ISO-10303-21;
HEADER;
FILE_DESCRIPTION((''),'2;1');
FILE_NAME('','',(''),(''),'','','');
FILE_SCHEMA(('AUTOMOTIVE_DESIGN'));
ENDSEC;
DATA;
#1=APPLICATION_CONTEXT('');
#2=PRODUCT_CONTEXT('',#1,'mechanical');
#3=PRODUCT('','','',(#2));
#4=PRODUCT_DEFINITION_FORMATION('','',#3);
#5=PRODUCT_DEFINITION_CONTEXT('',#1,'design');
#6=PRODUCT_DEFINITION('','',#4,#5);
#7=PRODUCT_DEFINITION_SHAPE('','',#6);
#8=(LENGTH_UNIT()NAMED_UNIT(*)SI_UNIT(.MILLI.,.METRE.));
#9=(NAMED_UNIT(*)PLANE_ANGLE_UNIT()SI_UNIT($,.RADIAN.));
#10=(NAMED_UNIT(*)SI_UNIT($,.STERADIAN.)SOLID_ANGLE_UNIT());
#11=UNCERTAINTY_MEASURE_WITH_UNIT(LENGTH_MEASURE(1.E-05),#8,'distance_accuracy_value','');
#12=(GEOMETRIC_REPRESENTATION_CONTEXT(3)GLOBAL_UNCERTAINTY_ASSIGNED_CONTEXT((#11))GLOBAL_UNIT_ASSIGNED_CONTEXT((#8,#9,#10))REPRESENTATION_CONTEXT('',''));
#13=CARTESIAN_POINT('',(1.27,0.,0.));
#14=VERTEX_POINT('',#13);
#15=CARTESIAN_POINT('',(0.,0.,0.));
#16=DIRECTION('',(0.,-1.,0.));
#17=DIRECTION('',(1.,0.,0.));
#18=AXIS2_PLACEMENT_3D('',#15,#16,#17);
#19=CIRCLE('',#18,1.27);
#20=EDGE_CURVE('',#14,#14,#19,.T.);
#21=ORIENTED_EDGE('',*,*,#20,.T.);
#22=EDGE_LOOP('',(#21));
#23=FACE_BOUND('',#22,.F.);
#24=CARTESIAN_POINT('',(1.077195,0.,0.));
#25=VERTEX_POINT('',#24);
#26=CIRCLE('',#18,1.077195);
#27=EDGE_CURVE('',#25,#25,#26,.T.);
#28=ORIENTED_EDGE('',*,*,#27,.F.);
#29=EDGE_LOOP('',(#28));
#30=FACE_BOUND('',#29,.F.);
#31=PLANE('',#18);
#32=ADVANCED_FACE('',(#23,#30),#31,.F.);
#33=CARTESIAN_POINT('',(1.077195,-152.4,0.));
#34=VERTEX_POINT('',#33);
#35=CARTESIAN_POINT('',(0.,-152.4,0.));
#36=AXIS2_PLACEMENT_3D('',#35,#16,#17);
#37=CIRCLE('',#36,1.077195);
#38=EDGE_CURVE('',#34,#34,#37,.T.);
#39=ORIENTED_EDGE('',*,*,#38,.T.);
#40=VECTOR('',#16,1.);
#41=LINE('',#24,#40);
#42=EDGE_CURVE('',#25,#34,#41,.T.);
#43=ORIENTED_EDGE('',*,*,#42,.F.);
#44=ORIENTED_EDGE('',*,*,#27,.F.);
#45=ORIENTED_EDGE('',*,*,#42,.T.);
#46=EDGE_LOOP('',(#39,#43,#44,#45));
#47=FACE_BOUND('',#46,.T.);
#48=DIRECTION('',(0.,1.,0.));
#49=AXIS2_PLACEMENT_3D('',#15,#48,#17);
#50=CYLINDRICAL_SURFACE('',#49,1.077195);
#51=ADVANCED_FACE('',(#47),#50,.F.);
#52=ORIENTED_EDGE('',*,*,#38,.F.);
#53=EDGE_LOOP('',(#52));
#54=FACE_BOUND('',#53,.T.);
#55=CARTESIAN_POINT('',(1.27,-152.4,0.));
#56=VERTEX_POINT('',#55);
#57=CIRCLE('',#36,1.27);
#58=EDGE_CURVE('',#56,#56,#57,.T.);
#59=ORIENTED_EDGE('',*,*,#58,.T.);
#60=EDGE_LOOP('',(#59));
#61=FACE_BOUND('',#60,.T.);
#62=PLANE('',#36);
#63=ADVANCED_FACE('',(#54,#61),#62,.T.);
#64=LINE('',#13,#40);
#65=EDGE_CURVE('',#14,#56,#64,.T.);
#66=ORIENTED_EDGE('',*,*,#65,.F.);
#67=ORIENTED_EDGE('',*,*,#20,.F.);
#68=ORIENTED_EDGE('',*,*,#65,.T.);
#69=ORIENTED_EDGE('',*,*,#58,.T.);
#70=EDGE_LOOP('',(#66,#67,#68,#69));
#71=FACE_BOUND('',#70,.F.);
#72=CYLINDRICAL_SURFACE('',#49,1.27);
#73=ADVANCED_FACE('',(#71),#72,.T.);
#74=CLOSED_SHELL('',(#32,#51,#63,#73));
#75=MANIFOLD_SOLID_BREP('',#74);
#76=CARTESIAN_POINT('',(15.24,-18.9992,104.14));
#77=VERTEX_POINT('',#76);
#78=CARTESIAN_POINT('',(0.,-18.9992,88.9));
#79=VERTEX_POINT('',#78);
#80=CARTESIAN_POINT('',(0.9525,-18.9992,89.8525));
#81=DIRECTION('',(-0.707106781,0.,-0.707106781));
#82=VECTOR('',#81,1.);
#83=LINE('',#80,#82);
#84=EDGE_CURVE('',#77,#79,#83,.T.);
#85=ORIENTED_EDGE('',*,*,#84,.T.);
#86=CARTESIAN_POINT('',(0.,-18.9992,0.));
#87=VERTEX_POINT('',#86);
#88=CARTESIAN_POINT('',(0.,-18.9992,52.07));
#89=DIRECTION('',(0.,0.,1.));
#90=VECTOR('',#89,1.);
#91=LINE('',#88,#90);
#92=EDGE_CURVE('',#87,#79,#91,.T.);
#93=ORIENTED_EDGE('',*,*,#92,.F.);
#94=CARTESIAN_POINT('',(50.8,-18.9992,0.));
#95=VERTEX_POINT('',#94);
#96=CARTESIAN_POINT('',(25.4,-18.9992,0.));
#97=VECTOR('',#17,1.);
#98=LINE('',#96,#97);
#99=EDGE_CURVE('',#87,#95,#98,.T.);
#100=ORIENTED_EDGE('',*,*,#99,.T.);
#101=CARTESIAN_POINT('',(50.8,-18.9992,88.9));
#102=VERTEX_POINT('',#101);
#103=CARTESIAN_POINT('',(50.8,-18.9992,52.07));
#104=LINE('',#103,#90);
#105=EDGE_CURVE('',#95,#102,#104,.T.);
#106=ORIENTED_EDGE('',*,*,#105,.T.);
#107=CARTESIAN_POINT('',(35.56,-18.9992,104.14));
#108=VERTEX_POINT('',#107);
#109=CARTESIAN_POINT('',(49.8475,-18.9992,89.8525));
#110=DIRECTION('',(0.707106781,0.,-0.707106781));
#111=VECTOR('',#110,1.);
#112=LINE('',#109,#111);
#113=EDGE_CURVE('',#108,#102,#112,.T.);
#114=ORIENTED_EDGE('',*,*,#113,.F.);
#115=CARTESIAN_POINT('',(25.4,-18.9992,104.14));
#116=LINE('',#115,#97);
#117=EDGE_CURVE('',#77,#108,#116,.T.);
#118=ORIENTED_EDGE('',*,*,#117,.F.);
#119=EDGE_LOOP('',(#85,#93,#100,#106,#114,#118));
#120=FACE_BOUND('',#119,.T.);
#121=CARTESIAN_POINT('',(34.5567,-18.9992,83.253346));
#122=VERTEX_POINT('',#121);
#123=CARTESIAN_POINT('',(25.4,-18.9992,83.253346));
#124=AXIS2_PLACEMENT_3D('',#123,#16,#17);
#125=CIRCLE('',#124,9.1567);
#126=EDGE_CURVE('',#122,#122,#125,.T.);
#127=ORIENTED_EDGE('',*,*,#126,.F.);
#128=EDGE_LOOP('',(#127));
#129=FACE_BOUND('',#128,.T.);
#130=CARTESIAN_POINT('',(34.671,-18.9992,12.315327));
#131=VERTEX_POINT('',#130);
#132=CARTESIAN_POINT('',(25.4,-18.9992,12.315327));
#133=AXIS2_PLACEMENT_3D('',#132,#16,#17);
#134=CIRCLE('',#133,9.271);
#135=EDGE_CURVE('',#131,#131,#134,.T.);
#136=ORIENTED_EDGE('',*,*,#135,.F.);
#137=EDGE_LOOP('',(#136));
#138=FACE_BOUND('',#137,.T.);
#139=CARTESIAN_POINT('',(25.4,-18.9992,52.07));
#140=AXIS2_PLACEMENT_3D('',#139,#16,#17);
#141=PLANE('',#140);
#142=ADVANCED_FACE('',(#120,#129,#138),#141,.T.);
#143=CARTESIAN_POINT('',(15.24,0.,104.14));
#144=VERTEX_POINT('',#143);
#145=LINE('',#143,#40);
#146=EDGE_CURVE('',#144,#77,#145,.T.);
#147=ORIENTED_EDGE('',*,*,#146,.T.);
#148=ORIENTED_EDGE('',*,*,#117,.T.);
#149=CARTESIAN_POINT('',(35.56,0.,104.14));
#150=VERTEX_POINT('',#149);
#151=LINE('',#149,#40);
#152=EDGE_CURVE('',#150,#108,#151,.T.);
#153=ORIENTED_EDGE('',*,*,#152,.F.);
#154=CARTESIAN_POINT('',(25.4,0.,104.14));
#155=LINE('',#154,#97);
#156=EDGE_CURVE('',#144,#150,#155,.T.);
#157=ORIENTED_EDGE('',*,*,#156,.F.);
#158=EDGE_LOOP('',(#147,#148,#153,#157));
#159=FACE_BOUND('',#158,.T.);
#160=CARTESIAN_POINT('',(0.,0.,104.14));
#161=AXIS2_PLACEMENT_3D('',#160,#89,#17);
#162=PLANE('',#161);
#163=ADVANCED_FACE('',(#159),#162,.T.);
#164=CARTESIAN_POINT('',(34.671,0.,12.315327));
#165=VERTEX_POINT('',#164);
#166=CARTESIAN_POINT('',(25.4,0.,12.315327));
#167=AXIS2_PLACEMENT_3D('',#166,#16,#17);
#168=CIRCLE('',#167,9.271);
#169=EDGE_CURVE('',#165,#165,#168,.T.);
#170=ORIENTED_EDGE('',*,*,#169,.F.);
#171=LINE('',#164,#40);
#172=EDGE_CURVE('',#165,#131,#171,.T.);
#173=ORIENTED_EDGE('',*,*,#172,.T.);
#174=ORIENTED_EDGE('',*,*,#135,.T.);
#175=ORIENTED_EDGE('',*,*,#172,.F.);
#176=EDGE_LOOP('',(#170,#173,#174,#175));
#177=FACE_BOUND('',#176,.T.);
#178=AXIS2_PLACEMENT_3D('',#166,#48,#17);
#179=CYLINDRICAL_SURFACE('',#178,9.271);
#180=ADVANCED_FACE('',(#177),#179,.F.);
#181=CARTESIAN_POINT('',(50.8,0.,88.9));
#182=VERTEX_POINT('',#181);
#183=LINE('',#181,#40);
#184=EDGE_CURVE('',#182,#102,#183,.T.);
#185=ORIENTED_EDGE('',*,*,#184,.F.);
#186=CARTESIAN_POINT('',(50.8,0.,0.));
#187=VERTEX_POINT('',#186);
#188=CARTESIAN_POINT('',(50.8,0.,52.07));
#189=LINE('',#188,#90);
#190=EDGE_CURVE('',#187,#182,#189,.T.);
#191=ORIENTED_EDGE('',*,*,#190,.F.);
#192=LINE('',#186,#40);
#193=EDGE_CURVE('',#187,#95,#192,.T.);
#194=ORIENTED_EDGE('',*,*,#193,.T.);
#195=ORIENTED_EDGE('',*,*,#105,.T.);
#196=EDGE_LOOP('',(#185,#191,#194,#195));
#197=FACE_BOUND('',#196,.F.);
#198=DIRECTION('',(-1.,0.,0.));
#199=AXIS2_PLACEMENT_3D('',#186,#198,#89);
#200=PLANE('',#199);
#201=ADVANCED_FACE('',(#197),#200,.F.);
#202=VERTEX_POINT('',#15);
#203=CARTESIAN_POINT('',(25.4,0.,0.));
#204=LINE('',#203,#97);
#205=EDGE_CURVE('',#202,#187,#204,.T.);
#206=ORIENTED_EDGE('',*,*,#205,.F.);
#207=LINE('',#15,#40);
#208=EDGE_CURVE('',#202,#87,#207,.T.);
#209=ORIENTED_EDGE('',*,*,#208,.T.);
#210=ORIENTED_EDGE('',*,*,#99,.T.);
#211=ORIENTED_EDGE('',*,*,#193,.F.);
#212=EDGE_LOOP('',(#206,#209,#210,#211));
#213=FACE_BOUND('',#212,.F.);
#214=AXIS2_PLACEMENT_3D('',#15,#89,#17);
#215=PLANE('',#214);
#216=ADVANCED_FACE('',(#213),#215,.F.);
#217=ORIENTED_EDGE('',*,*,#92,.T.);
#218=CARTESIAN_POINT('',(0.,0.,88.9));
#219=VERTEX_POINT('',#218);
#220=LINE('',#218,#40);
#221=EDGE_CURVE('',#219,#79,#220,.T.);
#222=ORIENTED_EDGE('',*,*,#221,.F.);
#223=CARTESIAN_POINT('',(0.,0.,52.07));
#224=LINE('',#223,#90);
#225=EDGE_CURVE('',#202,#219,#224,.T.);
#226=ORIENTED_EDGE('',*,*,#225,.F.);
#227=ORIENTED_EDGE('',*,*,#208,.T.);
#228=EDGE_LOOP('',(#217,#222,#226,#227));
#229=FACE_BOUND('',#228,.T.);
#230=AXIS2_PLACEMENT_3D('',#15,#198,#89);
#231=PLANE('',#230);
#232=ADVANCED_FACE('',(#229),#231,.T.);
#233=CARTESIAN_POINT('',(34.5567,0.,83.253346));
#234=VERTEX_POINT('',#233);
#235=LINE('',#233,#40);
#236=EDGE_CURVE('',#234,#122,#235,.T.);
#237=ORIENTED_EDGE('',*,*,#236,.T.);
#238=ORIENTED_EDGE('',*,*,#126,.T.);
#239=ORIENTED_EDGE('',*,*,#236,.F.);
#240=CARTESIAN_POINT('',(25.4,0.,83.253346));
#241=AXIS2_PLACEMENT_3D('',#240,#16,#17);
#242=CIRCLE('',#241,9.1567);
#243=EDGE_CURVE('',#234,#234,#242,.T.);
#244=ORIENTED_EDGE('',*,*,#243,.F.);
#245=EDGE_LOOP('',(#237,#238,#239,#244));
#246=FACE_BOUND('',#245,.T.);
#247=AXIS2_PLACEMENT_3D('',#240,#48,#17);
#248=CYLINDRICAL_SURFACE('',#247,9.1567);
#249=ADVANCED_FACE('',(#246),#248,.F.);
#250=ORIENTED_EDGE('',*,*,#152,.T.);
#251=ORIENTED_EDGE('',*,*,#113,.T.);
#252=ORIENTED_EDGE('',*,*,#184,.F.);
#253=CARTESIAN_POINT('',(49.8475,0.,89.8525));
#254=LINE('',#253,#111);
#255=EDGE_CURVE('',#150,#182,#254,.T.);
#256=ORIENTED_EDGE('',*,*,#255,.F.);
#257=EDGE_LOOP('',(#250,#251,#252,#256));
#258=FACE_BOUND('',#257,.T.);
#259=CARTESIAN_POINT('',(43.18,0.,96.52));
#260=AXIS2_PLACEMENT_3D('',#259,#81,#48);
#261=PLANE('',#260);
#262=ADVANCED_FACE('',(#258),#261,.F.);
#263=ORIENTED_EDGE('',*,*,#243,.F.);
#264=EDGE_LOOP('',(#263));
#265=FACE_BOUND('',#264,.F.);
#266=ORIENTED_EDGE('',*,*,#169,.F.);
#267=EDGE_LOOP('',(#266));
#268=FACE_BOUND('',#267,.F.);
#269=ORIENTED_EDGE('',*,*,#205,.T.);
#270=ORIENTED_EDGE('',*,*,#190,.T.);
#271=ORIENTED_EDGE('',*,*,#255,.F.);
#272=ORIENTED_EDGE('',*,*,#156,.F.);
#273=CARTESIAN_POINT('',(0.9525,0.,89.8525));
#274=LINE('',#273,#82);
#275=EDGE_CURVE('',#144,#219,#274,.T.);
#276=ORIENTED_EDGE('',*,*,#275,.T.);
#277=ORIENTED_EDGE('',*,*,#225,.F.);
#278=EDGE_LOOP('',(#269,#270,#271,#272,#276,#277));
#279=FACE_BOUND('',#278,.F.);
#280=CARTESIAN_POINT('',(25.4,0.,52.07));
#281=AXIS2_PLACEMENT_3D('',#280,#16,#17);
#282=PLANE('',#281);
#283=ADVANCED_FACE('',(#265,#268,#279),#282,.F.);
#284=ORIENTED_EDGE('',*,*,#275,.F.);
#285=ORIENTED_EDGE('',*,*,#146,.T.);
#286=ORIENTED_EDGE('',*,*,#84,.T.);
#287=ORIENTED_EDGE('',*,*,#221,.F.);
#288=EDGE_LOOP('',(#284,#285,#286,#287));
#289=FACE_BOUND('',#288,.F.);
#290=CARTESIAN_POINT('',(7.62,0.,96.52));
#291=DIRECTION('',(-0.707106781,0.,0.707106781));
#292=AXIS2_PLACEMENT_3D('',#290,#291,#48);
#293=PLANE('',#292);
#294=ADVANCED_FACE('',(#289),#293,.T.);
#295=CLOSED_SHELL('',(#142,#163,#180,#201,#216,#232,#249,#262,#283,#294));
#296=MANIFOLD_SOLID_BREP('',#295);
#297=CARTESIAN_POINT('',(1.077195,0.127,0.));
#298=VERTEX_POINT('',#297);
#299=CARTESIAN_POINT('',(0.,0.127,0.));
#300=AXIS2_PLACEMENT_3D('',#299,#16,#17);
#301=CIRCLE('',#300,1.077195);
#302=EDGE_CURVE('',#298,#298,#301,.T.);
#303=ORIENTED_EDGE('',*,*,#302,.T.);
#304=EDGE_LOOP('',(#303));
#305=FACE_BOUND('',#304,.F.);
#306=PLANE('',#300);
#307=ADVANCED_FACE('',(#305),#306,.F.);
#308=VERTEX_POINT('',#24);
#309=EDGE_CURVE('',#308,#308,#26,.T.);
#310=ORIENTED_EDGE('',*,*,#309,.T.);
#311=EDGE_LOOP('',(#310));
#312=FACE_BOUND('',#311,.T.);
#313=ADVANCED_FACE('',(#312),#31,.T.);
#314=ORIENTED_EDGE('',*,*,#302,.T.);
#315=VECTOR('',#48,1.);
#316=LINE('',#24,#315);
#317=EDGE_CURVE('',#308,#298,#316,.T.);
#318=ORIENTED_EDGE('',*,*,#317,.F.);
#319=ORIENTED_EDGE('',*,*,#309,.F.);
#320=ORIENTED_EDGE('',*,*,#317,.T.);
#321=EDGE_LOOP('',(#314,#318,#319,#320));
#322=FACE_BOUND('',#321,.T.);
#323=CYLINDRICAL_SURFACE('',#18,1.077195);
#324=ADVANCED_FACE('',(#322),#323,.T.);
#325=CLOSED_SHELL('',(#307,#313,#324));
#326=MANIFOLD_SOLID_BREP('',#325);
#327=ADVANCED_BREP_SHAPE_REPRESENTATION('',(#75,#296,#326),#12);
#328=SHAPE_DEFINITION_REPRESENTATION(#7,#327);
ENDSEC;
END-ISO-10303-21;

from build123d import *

# Parameters (mm, degrees)
F0_R     = 1.27
F0_R_2   = 1.077195
F1_DEPTH = 152.4
F2_DEPTH = 0.127
F3_W     = 50.8
F3_H     = 104.14
F3_R     = 9.271
F3_R_2   = 9.1567
F4_DEPTH = 18.9992
F5_SIZE  = 15.24
F6_SIZE  = 15.24


with BuildPart() as f1:
    # F0 (on Front) → F1 (new body)
    with BuildSketch(Plane.XZ):
        Circle(F0_R)
        Circle(F0_R_2, mode=Mode.SUBTRACT)
    extrude(amount=F1_DEPTH)


with BuildPart() as f2:
    # F0 (on Front) → F2 (new body)
    with BuildSketch(Plane.XZ):
        Circle(F0_R_2)
    extrude(amount=-F2_DEPTH)


with BuildPart() as f4:
    # F3 (on Front) → F4 (new body)
    with BuildSketch(Plane.XZ):
        with Locations((25.4, 52.07)):
            Rectangle(F3_W, F3_H)
        with Locations((25.4, 12.315327)):
            Circle(F3_R, mode=Mode.SUBTRACT)
        with Locations((25.4, 83.253346)):
            Circle(F3_R_2, mode=Mode.SUBTRACT)
    extrude(amount=F4_DEPTH)

    # F5
    f5_edges = [f4.edges().sort_by_distance(p)[0] for p in [
        (50.8, -9.4996, 104.14),
    ]]
    chamfer(f5_edges, length=F5_SIZE)

    # F6
    f6_edges = [f4.edges().sort_by_distance(p)[0] for p in [
        (0, -9.4996, 104.14),
    ]]
    chamfer(f6_edges, length=F6_SIZE)


solid = Compound([f1.part, f2.part, f4.part])
